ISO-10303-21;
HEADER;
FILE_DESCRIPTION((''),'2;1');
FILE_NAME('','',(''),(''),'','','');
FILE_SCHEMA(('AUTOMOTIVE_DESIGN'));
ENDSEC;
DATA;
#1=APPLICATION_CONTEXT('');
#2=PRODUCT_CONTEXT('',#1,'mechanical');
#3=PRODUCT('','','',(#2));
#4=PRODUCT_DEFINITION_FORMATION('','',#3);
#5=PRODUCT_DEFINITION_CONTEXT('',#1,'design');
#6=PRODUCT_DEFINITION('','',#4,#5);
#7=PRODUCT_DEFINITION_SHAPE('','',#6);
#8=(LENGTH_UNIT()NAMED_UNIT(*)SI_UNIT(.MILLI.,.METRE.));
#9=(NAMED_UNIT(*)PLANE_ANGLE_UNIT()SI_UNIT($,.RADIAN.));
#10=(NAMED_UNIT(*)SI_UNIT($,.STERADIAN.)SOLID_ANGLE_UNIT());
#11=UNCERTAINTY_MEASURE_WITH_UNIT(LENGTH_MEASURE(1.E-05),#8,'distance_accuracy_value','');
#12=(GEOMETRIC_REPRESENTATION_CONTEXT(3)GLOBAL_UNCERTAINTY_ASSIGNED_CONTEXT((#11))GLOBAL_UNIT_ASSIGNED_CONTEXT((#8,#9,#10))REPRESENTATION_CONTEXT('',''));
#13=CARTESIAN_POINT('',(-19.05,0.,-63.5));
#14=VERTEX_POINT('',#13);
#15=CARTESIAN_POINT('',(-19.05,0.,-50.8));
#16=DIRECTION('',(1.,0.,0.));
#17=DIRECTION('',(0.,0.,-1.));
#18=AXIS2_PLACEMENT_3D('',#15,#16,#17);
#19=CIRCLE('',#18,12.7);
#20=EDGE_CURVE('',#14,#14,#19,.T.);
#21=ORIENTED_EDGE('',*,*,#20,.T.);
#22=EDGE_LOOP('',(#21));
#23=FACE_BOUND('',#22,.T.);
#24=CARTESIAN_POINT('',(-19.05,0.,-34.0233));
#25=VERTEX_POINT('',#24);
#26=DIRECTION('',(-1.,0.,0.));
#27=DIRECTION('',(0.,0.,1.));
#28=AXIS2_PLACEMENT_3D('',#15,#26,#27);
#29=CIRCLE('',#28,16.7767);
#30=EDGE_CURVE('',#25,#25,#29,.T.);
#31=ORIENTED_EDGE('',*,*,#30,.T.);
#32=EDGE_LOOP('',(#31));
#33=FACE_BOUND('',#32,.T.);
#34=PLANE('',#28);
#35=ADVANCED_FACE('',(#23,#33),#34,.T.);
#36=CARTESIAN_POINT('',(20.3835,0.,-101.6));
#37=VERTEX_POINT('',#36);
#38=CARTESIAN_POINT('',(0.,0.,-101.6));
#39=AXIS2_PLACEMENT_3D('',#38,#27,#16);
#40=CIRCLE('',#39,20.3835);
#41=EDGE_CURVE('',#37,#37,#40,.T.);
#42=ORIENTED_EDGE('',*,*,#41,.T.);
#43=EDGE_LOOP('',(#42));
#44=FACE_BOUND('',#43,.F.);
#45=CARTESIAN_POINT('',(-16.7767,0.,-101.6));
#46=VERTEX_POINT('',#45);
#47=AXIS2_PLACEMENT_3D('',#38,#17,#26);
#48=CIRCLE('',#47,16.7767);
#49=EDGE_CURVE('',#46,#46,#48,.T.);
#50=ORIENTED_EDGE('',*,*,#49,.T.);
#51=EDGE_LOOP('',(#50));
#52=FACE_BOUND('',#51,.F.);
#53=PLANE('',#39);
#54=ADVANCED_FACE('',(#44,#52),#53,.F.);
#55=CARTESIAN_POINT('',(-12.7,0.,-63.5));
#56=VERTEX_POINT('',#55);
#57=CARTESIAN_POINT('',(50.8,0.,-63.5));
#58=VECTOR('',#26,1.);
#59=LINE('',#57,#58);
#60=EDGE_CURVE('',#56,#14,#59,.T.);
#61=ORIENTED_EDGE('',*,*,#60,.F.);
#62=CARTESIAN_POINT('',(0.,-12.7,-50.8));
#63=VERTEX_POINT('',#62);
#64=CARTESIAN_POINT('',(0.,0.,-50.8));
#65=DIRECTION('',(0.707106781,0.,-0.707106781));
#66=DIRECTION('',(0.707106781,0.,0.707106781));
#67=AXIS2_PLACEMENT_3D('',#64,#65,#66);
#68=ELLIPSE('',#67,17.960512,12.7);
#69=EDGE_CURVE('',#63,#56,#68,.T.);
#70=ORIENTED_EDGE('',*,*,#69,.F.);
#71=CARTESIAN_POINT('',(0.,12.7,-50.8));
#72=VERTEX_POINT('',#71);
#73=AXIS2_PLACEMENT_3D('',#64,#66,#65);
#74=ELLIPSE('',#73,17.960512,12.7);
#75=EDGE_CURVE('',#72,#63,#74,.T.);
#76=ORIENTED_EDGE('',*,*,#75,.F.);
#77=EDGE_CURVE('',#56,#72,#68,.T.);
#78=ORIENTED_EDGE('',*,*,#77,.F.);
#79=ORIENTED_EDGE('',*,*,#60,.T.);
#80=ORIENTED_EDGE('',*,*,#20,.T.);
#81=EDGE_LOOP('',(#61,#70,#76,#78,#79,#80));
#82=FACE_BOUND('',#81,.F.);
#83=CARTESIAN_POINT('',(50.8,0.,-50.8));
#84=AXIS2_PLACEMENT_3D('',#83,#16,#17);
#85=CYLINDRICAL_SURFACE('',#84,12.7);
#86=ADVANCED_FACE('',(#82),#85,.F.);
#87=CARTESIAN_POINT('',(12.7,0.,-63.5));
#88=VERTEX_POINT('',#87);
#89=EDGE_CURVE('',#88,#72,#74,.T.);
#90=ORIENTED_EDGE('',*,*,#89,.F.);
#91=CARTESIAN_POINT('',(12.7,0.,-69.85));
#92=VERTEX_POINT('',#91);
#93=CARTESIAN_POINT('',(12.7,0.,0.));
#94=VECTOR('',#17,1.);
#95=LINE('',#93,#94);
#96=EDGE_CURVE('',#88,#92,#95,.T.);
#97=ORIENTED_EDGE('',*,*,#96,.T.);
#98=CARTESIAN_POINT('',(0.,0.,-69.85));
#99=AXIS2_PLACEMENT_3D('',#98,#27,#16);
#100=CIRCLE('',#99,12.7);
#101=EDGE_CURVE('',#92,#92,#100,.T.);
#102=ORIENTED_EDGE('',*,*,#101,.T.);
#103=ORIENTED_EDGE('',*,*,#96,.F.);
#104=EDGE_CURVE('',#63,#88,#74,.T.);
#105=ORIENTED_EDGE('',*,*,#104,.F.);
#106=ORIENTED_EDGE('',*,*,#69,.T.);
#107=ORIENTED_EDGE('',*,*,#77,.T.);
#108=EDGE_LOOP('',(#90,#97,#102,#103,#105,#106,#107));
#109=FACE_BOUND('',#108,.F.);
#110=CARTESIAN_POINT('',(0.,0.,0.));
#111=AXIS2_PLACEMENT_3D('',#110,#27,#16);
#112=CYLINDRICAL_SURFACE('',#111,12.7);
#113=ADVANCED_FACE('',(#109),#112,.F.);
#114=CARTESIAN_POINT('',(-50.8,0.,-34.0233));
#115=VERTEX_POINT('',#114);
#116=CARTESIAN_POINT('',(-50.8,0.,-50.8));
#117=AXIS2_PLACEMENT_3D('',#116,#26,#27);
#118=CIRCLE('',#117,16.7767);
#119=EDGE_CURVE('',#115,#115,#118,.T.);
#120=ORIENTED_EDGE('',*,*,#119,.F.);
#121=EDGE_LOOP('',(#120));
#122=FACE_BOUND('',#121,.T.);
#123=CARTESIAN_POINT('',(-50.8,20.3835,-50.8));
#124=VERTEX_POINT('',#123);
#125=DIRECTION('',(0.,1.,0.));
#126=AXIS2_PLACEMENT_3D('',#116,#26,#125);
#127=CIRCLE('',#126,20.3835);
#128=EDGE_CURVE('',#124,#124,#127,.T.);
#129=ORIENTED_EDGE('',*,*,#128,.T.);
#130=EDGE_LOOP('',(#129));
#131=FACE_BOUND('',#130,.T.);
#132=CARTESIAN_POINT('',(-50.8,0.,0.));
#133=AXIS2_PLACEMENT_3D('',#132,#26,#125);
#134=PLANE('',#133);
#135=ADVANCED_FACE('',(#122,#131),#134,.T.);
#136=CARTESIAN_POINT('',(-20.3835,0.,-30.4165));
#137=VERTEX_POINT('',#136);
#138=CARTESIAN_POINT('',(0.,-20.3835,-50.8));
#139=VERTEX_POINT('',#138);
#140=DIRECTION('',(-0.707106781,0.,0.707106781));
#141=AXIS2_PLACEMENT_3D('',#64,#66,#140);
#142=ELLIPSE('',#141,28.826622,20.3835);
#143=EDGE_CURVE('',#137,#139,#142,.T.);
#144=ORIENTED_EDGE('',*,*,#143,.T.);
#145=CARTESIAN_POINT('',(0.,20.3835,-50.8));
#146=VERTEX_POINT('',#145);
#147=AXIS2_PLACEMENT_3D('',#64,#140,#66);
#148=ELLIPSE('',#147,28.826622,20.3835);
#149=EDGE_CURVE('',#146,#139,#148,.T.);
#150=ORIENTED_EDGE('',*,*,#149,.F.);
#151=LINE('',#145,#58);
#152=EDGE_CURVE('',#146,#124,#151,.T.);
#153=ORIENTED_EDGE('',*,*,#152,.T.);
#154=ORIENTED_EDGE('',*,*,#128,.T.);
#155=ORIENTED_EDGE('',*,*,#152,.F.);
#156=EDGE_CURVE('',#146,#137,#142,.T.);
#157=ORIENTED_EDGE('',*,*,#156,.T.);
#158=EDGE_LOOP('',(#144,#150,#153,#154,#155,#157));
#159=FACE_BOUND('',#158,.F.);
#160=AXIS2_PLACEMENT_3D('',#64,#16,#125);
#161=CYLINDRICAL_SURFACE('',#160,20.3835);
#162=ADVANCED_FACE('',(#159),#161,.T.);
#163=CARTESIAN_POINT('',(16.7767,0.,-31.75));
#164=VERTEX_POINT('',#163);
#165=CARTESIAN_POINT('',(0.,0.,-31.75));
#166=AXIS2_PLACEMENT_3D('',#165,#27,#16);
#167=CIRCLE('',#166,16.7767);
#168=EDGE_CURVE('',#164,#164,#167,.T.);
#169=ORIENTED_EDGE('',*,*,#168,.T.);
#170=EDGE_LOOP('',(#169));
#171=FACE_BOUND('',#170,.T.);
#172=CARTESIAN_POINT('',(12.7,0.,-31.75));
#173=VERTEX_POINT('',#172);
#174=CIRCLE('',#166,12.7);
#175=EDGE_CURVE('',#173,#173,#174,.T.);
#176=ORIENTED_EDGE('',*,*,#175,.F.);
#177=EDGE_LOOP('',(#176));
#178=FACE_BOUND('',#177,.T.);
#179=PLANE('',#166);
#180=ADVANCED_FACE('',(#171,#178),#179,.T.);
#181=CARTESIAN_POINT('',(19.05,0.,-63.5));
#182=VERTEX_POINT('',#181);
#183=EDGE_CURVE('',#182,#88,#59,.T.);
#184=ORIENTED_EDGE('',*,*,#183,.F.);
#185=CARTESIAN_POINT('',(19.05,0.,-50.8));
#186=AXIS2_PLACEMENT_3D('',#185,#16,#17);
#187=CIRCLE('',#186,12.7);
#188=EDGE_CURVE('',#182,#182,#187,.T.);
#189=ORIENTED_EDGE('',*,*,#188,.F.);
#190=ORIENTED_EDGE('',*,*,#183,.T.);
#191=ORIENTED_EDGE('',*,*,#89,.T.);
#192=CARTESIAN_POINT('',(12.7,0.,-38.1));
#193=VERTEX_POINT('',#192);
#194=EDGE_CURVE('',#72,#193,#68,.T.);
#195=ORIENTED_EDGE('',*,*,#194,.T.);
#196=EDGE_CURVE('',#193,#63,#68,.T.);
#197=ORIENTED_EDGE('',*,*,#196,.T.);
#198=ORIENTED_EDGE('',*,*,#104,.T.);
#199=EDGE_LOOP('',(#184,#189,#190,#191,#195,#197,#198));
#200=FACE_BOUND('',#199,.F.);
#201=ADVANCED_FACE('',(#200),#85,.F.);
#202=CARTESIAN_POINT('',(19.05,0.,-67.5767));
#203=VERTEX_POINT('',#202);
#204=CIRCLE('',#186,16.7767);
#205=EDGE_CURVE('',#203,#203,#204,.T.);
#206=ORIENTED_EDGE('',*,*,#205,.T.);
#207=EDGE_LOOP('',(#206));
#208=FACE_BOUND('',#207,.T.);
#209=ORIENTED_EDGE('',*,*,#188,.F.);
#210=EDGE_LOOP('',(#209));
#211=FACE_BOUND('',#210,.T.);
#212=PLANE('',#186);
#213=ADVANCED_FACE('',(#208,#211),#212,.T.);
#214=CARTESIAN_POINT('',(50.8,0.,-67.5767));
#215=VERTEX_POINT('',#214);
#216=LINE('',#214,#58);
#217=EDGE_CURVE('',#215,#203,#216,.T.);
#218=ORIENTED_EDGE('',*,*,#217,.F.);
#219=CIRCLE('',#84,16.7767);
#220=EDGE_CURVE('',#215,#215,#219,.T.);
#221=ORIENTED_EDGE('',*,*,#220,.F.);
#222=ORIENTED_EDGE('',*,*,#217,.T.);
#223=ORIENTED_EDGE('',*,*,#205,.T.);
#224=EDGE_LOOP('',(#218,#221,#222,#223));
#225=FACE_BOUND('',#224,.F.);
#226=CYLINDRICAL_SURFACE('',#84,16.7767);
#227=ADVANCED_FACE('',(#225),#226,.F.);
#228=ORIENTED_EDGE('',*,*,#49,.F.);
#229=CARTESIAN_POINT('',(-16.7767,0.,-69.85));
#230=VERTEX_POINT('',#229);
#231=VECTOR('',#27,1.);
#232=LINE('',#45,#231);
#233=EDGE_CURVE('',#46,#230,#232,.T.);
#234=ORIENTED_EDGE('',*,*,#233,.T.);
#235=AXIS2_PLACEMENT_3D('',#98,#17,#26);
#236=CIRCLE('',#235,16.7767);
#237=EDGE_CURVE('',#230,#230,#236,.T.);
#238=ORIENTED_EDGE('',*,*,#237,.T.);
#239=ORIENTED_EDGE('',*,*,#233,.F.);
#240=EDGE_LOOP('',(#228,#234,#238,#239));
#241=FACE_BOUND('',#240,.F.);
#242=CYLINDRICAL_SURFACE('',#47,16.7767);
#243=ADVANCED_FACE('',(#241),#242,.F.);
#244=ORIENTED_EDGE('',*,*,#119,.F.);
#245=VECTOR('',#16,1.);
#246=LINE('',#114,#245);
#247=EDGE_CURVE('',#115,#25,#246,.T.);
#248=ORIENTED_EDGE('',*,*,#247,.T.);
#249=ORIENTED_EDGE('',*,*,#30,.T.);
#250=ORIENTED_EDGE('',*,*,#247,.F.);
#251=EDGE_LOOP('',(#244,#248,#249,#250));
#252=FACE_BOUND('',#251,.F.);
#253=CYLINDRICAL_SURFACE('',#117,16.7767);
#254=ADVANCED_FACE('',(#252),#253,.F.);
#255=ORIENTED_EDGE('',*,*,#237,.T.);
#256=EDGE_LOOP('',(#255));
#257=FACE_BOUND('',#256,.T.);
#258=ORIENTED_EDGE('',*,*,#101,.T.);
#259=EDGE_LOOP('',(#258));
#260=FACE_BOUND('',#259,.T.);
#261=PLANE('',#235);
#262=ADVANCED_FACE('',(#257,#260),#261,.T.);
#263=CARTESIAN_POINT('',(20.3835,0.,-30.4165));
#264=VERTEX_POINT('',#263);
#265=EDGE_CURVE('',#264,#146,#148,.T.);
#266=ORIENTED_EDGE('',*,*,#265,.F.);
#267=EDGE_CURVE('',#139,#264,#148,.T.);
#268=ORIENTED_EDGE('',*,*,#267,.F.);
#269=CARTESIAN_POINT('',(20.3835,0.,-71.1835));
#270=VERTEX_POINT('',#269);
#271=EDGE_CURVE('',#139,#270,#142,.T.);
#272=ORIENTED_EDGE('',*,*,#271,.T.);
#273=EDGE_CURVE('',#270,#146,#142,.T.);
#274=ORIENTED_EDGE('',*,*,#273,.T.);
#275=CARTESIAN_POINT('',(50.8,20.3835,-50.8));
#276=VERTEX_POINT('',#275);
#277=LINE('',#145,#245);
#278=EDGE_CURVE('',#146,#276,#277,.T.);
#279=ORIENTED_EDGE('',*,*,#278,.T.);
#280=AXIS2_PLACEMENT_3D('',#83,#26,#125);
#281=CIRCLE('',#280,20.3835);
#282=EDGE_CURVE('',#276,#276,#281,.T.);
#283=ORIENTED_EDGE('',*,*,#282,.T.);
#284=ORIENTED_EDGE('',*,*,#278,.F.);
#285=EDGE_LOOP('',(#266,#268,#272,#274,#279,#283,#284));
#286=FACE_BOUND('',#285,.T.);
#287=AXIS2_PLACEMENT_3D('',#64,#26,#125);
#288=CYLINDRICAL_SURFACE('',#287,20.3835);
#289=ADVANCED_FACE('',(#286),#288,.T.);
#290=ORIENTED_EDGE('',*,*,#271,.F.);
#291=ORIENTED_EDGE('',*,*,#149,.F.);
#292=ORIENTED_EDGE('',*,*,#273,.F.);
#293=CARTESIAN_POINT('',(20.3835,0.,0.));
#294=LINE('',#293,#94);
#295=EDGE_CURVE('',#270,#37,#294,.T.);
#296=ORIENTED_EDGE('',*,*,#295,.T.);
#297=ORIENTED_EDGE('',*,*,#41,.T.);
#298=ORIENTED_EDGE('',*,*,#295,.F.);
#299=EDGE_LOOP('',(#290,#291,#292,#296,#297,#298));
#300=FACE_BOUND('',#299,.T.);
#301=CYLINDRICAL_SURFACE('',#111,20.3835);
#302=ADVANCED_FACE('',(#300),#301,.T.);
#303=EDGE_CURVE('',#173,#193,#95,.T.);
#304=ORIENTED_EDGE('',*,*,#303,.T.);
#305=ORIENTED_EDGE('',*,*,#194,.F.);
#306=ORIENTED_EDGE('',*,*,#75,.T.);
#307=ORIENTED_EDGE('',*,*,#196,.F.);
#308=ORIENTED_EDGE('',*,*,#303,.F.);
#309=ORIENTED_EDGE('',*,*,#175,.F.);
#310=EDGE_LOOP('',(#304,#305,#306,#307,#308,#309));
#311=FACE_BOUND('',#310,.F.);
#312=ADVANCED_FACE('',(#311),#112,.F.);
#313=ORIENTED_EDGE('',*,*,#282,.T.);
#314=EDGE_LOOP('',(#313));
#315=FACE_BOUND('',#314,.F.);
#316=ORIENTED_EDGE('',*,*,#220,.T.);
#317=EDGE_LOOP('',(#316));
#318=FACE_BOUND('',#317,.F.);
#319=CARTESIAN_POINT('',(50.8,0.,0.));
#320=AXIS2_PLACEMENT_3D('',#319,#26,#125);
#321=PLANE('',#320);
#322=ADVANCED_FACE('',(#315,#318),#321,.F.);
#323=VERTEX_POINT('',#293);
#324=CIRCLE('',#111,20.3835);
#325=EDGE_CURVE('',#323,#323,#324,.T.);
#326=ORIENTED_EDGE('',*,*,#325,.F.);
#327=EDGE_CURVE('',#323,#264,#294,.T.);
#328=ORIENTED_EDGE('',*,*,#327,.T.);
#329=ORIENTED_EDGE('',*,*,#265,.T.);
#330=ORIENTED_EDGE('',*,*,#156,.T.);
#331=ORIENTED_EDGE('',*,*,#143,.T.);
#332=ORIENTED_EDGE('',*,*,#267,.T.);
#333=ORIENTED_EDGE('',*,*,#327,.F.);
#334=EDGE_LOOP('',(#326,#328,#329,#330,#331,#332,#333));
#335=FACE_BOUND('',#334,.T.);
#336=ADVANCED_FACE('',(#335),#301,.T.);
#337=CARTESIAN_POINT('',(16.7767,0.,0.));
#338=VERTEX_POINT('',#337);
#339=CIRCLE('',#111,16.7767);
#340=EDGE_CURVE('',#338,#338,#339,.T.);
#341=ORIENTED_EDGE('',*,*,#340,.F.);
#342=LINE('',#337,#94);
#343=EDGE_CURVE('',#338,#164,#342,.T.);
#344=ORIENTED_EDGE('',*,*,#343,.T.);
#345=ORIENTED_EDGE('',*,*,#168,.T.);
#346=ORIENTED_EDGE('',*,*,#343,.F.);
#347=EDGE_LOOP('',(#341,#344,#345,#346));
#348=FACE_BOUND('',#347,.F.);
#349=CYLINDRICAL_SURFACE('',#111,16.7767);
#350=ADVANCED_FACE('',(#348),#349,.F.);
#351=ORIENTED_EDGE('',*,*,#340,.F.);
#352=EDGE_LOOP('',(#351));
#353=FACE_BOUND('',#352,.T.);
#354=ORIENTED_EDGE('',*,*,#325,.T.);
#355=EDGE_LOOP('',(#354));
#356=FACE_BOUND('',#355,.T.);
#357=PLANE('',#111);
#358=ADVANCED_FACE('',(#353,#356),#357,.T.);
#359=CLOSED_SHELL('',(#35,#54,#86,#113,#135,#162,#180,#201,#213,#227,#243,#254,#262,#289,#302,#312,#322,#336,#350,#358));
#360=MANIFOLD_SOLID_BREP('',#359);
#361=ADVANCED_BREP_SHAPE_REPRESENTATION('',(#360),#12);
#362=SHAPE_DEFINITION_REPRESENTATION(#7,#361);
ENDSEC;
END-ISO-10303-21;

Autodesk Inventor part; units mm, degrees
ref_plane "YZ Plane" through (0, 0, 0) normal (1, 0, 0) x (0, 1, 0)
ref_plane "XZ Plane" through (0, 0, 0) normal (0, 1, 0) x (-1, 0, 0)
sketch "Sketch1" plane through (0, 0, 0) normal (0, 0, 1) x (1, 0, 0)
  circle A0 centre (0, 0) radius 20.3835
  dimension "d0" = 40.767
extrude "Extrusion1" add sketch "Sketch1" against normal blind 101.6
sketch "Sketch2" plane through (0, 0, 0) normal (0, 0, 1) x (1, 0, 0)
  line L0 (0, 0) -> (0, 19.704)
sketch "Sketch3" plane through (0, 0, -101.6) normal (0, 0, -1) x (-1, 0, 0)
  line L0 (0, 0) -> (0, 20.098)
ref_plane "Work Plane1" through (0, 0, 0) normal (-1, 0, 0) x (0, 1, 0)
sketch "Sketch4" plane through (0, 0, 0) normal (-1, 0, 0) x (0, 1, 0)
  circle A0 centre (0, 50.8) radius 20.3835
  point P0 (0, 0)
extrude "Extrusion2" add sketch "Sketch4" along normal mid plane 101.6
sketch "Sketch5" plane through (0, 0, 0) normal (0, 0, 1) x (1, 0, 0)
  circle A0 centre (0, 0) radius 16.7767
  dimension "d5" = 33.5534
sketch "Sketch6" plane through (50.8, 0, -50.8) normal (1, 0, 0) x (0, 0, -1)
  circle A0 centre (0, 0) radius 16.7767
  point P0 (-50.8, 0)
  dimension "d6" = 33.5534
sketch "Sketch7" plane through (0, 0, -101.6) normal (0, 0, -1) x (-1, 0, 0)
  circle A0 centre (0, 0) radius 20.3835 projected
  circle A1 centre (0, 0) radius 16.7767
  dimension "d7" = 33.5534
sketch "Sketch8" plane through (-50.8, 0, -50.8) normal (-1, 0, 0) x (0, 0, 1)
  circle A0 centre (0, 0) radius 16.7767
  point P0 (50.8, 0)
  dimension "d8" = 33.5534
extrude "Extrusion3" cut sketch "Sketch5" against normal blind 31.75
extrude "Extrusion4" cut sketch "Sketch6" against normal blind 31.75
extrude "Extrusion5" cut sketch "Sketch7" against normal blind 31.75 contours A1
extrude "Extrusion6" cut sketch "Sketch8" against normal blind 31.75
sketch "Sketch9" plane through (0, 0, 0) normal (0, 0, 1) x (1, 0, 0)
  circle A0 centre (0, 0) radius 12.7
  dimension "d17" = 25.4
sketch "Sketch10" plane through (50.8, 0, -50.8) normal (1, 0, 0) x (0, 0, -1)
  circle A0 centre (0, 0) radius 12.7
  point P0 (-50.8, 0)
  dimension "d18" = 25.4
extrude "Extrusion7" cut sketch "Sketch10" against normal blind 101.6
extrude "Extrusion8" cut sketch "Sketch9" against normal blind 101.6
properties part number "Cross 1 Inch"
